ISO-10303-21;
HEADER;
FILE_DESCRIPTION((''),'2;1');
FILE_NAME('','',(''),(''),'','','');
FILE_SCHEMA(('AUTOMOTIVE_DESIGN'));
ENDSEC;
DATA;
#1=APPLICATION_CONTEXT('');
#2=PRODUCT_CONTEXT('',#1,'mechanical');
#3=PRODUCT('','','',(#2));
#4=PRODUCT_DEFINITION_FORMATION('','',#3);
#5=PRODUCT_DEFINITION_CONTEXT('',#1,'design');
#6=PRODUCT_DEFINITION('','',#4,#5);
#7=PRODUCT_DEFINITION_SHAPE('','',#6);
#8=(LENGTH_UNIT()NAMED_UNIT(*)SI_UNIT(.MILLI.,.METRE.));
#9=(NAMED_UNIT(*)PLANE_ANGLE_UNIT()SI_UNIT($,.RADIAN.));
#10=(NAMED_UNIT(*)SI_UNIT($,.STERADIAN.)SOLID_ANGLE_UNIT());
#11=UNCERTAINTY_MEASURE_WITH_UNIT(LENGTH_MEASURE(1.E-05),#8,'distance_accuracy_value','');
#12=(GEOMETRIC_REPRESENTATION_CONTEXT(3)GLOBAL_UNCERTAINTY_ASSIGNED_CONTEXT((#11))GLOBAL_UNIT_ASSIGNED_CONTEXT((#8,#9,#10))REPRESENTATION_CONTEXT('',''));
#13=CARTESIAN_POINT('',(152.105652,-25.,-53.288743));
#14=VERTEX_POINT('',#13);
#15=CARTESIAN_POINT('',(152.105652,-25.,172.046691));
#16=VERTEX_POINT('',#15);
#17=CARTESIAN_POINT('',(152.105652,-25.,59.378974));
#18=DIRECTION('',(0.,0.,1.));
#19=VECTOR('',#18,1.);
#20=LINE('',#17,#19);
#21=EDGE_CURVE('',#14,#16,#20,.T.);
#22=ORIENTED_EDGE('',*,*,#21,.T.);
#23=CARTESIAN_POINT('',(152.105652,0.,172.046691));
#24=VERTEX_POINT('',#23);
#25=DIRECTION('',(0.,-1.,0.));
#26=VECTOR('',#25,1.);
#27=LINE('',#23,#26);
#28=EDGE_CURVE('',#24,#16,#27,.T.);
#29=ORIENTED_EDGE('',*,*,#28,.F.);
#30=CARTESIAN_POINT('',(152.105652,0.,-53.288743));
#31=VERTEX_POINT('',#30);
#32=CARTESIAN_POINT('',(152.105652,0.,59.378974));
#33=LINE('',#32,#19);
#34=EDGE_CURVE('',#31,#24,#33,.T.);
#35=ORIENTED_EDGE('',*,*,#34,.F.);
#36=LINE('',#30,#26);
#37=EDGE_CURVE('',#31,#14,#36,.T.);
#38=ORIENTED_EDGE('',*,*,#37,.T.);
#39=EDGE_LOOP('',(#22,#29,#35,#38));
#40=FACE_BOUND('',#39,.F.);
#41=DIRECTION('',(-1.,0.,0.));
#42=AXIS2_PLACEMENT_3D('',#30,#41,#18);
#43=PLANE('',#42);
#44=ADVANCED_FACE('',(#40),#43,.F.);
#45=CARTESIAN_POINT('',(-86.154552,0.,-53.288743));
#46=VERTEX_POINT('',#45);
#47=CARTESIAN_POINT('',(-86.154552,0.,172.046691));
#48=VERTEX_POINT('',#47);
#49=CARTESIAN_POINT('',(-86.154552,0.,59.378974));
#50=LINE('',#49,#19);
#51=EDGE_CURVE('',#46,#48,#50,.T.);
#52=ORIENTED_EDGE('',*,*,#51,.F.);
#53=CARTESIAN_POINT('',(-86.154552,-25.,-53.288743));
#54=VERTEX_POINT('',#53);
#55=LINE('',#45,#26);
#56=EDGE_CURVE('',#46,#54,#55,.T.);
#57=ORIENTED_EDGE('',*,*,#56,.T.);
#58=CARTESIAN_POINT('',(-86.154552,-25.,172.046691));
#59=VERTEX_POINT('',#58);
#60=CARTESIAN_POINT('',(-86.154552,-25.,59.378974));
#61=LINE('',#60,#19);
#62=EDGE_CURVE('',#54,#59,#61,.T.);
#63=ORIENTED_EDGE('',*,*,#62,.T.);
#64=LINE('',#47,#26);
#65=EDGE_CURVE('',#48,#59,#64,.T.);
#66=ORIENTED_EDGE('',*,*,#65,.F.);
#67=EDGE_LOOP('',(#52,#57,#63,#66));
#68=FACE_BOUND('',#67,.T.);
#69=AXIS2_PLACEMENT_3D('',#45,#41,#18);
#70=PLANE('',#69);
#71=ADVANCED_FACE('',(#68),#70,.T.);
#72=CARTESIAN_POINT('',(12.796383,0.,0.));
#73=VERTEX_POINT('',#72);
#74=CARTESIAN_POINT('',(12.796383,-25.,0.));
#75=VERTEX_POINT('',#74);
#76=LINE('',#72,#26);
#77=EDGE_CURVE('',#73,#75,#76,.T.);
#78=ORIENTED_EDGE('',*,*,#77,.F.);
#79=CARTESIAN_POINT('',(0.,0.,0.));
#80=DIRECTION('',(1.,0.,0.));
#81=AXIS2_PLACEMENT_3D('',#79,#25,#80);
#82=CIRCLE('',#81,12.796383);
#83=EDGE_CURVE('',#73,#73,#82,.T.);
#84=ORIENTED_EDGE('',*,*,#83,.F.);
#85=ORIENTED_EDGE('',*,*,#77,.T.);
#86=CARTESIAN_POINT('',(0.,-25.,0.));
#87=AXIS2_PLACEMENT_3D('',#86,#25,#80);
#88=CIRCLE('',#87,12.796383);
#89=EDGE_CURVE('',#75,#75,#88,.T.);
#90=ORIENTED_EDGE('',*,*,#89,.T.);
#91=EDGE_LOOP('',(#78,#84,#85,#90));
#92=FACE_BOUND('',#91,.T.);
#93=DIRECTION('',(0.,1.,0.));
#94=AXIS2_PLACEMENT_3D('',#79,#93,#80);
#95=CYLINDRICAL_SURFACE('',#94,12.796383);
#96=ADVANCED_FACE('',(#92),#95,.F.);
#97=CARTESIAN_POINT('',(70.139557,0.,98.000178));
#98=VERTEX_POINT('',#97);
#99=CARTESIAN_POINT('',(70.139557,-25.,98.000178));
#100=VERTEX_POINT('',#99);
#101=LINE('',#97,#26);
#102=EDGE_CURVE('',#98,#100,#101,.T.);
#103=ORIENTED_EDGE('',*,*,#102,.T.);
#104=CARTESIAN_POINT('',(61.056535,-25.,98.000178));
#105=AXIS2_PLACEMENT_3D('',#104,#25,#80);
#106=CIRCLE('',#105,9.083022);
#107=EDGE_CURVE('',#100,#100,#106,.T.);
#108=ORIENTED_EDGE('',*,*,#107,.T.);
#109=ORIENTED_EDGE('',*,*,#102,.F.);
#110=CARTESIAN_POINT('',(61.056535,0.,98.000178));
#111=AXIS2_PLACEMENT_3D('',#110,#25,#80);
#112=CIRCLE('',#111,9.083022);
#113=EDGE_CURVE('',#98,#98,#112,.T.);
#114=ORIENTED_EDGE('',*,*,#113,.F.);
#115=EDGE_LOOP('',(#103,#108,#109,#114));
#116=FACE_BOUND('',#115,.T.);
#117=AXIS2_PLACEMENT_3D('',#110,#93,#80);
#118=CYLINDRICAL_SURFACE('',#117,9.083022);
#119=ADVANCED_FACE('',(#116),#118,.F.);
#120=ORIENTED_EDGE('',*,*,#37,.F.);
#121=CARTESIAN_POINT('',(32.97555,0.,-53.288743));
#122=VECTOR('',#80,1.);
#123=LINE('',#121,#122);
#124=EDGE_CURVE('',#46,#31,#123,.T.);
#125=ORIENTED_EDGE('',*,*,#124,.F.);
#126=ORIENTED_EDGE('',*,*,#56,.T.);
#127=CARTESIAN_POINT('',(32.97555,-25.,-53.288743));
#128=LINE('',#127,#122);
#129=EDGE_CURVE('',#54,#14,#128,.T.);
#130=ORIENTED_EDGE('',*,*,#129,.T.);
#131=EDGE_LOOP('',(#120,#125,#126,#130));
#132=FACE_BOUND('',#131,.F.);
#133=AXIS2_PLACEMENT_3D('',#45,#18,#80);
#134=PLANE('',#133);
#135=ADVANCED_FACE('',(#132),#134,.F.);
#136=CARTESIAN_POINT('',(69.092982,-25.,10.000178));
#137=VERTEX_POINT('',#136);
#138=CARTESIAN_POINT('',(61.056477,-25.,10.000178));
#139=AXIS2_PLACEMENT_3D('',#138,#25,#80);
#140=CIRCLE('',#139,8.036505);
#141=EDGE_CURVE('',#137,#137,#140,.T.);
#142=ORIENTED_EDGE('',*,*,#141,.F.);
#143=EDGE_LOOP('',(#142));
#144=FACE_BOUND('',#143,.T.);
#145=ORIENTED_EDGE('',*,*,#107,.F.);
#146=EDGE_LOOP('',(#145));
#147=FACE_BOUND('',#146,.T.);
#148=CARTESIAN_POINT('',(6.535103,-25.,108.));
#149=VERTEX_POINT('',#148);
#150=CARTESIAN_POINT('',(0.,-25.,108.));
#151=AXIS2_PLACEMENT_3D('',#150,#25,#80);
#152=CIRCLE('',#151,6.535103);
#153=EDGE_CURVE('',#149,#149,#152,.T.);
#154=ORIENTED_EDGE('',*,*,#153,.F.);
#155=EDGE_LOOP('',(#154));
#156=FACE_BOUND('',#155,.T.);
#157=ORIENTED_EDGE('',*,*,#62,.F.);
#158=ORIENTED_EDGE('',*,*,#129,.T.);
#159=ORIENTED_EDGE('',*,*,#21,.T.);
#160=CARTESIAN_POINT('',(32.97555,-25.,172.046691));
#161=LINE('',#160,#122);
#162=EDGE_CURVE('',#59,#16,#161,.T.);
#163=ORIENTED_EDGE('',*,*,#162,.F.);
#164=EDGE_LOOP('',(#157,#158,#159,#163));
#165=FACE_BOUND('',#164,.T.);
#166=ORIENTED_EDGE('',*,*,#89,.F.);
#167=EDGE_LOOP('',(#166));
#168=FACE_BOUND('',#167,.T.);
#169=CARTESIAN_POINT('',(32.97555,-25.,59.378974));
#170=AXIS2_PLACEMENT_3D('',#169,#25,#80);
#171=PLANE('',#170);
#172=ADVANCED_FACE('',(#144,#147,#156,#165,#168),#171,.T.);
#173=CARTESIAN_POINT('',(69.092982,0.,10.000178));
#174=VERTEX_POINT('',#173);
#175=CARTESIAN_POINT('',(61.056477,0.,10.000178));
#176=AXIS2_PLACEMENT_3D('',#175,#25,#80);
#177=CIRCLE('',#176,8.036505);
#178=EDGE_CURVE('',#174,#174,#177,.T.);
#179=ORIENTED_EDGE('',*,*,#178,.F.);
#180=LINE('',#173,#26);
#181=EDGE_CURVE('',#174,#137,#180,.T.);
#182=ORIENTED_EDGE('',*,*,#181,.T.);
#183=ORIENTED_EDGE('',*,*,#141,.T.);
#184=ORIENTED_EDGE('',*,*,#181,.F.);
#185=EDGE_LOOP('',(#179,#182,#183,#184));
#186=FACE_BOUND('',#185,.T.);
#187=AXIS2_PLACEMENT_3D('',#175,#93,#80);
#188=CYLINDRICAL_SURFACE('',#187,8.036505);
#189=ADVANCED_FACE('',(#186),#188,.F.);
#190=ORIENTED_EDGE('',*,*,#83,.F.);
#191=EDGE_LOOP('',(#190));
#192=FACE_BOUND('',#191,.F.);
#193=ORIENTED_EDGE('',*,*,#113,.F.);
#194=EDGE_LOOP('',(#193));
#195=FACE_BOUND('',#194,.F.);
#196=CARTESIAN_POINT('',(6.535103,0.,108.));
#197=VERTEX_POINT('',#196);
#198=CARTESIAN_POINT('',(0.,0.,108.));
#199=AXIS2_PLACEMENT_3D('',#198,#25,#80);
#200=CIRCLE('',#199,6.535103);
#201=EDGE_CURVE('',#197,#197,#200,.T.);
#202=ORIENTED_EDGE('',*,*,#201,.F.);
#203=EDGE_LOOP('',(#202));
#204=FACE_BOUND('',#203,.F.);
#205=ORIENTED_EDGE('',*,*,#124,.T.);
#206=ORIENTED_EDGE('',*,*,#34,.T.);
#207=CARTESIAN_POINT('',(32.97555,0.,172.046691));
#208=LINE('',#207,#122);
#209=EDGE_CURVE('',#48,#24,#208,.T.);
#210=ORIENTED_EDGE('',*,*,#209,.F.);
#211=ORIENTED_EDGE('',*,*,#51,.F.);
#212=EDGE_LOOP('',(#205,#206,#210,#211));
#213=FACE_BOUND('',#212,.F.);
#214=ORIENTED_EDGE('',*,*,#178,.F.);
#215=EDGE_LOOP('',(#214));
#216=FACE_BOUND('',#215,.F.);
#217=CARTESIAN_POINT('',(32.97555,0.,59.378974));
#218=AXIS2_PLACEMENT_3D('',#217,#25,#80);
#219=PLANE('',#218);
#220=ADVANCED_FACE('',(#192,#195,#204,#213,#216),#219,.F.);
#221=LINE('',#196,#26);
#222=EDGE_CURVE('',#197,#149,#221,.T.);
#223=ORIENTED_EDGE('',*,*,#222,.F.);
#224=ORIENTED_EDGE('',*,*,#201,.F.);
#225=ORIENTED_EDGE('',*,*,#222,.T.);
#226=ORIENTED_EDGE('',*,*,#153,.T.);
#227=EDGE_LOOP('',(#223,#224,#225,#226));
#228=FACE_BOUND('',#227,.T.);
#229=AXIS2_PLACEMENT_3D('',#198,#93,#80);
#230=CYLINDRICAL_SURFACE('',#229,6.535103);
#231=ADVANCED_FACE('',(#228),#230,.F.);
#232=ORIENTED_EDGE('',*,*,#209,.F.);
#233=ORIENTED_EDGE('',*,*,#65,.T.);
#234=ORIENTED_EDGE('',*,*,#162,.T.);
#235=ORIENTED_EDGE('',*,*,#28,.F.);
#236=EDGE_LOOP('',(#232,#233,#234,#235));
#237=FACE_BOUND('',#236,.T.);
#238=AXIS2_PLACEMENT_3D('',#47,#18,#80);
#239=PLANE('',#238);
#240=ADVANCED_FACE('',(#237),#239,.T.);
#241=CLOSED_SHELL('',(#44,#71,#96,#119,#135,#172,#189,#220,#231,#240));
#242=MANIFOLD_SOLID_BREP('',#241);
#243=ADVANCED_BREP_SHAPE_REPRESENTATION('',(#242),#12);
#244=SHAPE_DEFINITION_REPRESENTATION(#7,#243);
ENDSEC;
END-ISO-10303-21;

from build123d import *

# Parameters (mm, degrees)
F0_W     = 238.260204
F0_H     = 225.335434
F0_R     = 12.796383
F0_R_2   = 8.036505
F0_R_3   = 6.535103
F0_R_4   = 9.083022
F1_DEPTH = 25


with BuildPart() as f1:
    # F0 (on Front) → F1 (new body)
    with BuildSketch(Plane.XZ):
        with Locations((32.97555, 59.378974)):
            Rectangle(F0_W, F0_H)
        Circle(F0_R, mode=Mode.SUBTRACT)
        with Locations((61.056477, 10.000178)):
            Circle(F0_R_2, mode=Mode.SUBTRACT)
        with Locations((0, 108)):
            Circle(F0_R_3, mode=Mode.SUBTRACT)
        with Locations((61.056535, 98.000178)):
            Circle(F0_R_4, mode=Mode.SUBTRACT)
    extrude(amount=F1_DEPTH)


solid = f1.part
